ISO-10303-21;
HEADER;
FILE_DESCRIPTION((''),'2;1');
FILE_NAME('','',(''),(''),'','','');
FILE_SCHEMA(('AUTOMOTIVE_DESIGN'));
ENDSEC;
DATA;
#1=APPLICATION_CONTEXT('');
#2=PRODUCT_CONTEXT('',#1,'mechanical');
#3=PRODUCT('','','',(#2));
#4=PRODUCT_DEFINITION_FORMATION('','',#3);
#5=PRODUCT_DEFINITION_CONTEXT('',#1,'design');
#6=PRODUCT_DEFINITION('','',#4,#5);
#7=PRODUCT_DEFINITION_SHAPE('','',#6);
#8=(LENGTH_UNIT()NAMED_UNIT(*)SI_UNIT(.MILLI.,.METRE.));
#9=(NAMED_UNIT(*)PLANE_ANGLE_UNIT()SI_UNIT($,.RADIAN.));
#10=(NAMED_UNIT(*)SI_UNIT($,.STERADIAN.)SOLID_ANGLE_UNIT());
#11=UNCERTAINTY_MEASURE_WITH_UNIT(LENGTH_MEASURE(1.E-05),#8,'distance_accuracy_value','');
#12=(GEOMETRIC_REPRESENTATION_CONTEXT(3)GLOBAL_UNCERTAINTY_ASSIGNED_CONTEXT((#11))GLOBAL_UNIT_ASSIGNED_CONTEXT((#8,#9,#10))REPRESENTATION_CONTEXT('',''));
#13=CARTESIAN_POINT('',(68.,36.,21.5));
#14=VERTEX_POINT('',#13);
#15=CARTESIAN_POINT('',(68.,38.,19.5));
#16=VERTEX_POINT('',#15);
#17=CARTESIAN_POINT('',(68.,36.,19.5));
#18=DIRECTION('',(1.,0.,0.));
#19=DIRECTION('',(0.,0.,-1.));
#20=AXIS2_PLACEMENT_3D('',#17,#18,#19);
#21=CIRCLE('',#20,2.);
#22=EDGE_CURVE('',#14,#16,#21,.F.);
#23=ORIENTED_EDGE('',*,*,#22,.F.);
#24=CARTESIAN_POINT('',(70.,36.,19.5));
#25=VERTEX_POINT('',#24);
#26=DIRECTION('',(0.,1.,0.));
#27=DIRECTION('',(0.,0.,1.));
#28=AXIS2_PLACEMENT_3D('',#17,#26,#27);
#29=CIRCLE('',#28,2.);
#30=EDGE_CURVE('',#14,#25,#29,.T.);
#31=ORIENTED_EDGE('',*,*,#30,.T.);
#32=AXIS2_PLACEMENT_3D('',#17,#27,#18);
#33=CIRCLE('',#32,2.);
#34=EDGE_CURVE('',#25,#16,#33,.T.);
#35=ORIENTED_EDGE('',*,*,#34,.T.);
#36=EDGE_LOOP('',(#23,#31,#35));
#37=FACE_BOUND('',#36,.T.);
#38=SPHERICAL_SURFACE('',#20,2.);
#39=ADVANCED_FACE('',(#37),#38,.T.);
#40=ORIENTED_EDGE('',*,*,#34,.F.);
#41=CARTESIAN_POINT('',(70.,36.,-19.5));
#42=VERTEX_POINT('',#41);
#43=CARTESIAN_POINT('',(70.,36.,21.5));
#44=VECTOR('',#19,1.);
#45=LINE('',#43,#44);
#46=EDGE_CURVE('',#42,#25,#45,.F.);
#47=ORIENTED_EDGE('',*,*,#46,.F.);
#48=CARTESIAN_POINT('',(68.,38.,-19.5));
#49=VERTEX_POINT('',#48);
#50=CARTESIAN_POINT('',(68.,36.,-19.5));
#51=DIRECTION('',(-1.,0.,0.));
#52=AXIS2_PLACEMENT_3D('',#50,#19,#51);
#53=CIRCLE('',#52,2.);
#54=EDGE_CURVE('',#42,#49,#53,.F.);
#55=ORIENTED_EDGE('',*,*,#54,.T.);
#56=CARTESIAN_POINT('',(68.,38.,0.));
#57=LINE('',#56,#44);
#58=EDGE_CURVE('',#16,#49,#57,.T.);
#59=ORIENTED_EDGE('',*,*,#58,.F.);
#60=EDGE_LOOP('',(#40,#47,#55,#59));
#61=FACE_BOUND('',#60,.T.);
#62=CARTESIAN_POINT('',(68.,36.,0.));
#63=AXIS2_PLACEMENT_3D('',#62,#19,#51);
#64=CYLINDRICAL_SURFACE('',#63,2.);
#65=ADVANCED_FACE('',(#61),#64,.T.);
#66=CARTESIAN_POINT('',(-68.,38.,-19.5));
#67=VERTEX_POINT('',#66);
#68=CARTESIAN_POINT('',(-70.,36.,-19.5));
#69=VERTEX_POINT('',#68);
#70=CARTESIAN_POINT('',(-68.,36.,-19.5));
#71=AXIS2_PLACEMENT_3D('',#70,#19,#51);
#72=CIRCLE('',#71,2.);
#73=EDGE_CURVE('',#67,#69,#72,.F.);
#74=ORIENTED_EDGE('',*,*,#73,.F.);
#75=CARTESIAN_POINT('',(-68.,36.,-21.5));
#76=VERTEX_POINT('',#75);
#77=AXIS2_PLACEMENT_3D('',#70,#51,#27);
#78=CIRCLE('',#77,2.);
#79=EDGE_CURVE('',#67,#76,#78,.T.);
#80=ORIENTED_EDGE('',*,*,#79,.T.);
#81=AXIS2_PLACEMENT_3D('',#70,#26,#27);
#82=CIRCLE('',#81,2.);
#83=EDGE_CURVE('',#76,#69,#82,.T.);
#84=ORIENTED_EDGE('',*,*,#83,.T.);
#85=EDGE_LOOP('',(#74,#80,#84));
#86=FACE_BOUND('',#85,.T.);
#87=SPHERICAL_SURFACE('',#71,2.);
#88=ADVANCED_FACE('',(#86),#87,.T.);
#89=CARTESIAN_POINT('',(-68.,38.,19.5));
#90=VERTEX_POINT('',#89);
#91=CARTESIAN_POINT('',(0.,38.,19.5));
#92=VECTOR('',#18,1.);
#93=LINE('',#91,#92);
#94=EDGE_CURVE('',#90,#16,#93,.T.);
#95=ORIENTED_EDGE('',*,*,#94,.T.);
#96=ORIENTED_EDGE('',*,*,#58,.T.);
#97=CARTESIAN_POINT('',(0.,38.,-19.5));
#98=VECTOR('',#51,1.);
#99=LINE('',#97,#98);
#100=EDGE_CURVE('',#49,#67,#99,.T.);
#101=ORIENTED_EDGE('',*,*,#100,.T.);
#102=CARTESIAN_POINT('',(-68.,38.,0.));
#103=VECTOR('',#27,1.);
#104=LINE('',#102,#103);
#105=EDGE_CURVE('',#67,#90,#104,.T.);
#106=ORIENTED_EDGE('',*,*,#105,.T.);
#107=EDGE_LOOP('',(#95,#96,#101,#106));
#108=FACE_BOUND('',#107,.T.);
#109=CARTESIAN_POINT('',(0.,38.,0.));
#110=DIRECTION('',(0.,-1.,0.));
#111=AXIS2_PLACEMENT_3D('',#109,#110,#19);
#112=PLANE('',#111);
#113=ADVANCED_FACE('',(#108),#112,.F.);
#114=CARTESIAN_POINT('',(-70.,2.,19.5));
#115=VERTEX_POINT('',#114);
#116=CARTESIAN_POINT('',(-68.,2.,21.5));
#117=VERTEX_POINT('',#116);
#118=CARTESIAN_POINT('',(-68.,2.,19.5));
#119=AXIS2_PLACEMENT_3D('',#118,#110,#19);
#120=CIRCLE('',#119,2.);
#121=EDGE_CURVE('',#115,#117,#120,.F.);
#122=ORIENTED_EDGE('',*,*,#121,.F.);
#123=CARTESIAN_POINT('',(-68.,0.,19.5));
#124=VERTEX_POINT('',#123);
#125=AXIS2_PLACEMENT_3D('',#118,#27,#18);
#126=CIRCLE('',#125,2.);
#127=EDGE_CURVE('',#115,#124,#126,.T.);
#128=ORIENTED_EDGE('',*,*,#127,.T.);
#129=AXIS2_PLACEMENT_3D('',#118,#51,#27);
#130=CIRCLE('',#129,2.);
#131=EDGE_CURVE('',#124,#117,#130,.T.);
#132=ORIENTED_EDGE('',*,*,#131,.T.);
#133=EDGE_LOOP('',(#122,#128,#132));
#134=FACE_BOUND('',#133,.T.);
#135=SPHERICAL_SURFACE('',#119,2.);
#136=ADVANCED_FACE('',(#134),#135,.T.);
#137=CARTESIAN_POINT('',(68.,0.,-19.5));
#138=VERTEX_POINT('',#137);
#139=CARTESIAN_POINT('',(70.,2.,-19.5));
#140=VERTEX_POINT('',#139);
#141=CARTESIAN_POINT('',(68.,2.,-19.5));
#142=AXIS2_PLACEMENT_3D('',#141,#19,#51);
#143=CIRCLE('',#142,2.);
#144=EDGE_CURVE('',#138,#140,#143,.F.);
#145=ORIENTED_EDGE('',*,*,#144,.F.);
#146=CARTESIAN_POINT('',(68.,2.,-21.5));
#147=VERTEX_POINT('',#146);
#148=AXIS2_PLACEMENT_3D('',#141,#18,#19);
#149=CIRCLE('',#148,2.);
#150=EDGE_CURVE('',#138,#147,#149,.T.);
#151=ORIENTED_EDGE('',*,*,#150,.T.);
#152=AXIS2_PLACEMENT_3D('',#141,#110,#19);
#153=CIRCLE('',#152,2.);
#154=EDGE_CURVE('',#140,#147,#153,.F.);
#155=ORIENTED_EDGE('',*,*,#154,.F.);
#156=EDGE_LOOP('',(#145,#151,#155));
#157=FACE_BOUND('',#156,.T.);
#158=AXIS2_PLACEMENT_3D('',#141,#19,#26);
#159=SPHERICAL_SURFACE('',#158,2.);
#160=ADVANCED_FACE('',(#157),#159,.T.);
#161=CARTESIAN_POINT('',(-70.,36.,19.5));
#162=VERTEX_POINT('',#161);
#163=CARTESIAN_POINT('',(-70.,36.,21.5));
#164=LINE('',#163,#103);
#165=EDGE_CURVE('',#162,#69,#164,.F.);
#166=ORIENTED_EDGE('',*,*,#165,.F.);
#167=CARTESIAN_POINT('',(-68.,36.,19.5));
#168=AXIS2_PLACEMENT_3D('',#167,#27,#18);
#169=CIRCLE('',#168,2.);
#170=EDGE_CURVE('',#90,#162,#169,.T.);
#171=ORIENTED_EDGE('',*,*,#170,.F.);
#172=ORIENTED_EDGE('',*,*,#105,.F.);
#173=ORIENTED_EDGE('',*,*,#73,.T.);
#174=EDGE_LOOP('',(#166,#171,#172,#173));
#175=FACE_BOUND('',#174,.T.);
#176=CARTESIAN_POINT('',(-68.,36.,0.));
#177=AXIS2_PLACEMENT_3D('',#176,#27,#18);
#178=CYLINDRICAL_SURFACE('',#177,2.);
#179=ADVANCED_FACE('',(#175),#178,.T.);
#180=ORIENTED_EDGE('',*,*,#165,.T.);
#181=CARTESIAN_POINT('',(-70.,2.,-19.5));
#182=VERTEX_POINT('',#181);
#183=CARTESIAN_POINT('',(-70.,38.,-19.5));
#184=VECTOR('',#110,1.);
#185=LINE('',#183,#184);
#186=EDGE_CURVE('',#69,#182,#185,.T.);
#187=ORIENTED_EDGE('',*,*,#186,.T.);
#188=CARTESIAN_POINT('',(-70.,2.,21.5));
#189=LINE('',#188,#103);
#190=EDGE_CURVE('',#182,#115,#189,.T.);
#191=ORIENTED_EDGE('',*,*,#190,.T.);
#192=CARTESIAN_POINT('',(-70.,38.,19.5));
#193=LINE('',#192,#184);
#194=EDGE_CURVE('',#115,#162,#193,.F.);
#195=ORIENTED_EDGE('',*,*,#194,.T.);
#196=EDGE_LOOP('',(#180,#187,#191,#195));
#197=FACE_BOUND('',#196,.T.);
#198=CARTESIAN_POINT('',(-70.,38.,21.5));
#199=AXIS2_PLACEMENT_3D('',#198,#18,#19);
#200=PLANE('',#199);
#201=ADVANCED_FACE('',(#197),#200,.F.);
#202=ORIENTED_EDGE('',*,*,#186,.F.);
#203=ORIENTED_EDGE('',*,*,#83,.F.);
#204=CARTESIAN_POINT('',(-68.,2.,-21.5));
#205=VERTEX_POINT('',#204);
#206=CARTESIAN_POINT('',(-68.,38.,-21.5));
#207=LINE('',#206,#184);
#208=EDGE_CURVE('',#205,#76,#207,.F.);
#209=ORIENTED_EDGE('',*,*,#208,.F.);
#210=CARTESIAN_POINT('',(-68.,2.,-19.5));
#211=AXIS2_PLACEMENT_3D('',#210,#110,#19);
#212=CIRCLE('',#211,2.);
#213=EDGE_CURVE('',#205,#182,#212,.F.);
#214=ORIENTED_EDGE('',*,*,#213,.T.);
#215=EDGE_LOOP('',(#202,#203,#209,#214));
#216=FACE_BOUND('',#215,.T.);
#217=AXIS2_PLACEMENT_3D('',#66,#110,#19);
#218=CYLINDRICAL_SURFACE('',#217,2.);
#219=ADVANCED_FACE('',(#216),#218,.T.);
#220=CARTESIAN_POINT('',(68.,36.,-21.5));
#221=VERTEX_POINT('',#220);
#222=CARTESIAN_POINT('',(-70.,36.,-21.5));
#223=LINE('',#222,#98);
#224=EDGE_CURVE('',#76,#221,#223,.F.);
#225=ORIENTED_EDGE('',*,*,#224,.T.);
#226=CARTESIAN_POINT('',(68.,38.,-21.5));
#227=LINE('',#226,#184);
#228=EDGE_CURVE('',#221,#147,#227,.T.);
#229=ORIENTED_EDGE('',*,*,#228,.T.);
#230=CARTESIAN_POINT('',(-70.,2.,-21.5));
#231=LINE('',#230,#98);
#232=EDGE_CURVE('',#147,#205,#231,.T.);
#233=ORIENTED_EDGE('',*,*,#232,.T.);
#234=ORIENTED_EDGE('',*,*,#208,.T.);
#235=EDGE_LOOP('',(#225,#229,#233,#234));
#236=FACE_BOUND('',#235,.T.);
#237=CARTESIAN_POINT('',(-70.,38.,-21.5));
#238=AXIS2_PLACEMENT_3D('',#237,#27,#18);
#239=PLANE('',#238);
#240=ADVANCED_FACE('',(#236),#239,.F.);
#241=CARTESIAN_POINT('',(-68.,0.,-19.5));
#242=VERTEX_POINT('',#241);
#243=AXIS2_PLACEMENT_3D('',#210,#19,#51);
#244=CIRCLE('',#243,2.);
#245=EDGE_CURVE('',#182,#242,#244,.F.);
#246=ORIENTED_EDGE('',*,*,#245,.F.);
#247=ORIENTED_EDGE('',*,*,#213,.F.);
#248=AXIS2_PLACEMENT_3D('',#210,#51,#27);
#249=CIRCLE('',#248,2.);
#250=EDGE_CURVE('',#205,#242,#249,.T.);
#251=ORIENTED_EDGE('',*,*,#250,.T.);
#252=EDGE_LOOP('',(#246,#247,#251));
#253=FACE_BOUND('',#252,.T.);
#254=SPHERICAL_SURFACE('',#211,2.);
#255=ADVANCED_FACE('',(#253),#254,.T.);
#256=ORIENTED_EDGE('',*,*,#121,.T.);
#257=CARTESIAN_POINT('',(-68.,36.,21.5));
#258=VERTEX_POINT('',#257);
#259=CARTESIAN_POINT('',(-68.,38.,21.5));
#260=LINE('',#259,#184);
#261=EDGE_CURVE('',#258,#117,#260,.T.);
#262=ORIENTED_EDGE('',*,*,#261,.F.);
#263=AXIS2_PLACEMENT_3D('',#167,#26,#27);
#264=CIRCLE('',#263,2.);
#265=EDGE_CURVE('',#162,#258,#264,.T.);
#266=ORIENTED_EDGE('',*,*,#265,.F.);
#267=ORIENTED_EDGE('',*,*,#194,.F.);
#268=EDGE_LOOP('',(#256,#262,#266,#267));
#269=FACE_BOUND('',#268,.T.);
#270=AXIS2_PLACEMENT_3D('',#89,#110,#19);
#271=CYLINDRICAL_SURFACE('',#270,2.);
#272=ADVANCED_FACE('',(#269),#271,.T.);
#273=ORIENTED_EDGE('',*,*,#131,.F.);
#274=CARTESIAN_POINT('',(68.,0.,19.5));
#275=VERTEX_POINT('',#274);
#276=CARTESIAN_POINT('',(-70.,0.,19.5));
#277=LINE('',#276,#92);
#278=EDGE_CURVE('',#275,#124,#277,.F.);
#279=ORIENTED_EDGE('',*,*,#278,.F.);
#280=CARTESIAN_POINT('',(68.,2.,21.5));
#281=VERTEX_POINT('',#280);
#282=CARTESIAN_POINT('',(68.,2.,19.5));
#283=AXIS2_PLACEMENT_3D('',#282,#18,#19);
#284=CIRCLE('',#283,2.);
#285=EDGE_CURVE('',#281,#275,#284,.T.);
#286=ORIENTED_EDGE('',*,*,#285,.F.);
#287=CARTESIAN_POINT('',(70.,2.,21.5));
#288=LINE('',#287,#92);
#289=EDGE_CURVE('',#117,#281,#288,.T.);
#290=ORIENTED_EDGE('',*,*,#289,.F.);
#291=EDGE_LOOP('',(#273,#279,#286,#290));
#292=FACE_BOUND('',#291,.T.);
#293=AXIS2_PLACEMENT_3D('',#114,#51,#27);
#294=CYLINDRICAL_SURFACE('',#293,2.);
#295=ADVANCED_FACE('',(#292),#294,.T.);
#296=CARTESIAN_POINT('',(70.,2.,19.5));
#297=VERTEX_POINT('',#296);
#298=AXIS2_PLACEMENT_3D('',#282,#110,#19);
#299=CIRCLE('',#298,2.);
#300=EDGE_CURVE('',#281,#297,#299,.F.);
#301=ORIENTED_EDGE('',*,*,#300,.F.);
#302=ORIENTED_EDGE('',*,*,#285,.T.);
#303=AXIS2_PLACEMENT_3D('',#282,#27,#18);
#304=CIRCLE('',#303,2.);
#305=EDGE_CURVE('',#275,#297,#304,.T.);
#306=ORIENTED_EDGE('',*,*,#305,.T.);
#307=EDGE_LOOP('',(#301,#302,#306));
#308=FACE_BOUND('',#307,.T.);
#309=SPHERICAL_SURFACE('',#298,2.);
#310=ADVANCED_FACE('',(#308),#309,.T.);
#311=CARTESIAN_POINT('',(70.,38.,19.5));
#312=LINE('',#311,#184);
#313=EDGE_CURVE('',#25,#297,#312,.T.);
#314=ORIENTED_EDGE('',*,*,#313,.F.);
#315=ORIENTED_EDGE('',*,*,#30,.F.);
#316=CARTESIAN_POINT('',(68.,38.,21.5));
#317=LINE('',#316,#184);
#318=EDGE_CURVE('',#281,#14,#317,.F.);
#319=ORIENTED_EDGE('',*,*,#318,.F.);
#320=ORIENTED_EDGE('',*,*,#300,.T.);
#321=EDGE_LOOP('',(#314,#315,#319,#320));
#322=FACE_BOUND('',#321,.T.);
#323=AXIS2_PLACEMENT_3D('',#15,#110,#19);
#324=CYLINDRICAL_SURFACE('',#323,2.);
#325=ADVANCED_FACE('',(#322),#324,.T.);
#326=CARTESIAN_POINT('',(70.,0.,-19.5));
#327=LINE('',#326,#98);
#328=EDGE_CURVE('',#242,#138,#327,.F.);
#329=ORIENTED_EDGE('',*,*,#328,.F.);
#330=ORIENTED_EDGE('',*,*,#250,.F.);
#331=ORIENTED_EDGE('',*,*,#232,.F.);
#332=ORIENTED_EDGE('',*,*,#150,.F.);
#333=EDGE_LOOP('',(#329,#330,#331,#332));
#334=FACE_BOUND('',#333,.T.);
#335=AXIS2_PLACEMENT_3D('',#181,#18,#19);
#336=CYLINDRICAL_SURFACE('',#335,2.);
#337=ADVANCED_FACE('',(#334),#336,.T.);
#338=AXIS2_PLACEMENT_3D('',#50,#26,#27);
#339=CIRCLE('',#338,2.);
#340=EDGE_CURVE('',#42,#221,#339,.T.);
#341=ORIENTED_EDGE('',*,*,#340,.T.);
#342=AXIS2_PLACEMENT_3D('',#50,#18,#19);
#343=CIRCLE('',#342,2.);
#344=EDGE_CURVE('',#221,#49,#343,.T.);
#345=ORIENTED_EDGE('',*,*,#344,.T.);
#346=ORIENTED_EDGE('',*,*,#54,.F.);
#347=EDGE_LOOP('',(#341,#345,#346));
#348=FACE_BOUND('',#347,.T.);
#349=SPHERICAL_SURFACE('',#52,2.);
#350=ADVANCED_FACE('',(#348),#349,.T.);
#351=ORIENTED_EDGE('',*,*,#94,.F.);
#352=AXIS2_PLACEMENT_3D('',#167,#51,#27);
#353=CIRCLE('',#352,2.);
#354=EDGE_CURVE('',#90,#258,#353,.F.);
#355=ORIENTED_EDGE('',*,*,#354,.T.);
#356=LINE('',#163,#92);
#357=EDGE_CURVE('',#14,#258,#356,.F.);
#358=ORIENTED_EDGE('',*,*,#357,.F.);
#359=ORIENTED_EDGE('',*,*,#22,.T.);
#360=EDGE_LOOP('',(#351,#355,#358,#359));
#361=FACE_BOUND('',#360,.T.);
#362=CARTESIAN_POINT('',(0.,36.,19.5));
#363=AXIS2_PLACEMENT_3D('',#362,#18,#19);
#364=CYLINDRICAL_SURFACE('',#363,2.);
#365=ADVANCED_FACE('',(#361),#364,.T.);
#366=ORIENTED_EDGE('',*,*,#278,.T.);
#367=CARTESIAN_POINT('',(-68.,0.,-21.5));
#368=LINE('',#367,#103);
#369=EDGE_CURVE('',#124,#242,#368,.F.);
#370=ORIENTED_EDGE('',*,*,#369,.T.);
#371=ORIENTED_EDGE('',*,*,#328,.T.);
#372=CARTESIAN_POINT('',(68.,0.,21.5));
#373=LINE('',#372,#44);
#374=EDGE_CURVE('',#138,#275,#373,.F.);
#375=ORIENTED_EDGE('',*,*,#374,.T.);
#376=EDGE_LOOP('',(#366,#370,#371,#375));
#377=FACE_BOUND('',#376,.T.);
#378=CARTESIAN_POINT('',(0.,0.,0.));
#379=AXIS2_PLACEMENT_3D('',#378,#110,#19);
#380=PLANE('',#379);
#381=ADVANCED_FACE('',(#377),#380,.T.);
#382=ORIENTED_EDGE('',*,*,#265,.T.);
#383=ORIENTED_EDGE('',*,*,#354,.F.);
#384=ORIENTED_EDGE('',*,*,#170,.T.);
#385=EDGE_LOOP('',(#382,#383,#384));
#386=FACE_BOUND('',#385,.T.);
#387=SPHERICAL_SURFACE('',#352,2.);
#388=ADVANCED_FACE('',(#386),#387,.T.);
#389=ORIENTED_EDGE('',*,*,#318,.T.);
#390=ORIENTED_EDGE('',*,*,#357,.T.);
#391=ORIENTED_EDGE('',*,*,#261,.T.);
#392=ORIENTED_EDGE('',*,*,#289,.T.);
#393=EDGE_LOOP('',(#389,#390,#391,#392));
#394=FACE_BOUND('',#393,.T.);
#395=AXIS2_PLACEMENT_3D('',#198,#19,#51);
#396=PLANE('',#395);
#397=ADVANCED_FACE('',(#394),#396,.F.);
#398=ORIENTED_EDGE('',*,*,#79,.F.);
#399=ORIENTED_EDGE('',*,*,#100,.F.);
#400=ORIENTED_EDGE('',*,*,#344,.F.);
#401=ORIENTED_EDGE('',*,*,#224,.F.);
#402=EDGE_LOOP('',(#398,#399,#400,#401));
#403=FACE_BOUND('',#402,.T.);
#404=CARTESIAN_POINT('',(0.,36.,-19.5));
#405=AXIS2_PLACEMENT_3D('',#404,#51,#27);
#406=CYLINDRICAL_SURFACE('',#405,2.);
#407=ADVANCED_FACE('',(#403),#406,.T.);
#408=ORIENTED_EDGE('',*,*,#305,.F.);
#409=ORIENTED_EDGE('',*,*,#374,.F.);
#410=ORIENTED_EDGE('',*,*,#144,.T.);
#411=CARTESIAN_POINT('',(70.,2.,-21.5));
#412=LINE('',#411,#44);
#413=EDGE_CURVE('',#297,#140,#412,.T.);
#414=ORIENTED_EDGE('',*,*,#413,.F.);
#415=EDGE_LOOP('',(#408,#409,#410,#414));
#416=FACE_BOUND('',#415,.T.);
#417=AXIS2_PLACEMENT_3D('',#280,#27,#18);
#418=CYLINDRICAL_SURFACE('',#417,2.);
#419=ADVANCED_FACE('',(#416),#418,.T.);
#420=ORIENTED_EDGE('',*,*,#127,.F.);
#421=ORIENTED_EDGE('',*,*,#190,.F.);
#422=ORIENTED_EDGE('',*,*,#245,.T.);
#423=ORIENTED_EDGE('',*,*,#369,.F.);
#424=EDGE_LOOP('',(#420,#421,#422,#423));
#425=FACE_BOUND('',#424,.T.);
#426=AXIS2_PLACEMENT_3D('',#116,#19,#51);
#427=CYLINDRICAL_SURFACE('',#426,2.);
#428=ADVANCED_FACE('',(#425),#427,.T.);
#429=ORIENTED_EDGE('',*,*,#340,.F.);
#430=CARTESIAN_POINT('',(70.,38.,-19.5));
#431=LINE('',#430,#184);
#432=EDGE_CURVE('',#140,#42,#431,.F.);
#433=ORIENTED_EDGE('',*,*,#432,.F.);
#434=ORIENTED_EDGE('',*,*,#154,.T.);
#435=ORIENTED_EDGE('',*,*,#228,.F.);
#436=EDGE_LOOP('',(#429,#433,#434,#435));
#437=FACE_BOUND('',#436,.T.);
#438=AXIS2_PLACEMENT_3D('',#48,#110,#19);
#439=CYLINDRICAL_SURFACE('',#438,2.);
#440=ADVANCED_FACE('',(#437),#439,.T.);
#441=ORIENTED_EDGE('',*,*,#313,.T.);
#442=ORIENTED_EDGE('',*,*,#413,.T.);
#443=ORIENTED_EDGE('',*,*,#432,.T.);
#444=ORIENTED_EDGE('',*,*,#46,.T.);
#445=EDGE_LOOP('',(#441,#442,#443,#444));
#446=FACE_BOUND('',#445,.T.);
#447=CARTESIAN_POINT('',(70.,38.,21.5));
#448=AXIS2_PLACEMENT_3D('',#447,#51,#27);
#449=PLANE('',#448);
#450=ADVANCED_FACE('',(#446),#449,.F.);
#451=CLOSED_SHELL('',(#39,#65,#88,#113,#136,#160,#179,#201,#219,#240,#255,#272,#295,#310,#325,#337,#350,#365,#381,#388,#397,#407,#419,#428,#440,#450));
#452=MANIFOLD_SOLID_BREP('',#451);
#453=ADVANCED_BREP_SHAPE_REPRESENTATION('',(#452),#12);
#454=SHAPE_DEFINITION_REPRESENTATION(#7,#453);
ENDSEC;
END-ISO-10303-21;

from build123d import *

# Parameters (mm, degrees)
SZKIC1_W                    = 140
SZKIC1_H                    = 43
DODANIE_WYCI_GNI_CIE1_DEPTH = 38
ZAOKR_GLENIE1_R             = 2


with BuildPart() as part:
    # Szkic1 → Dodanie-wyciągnięcie1 (new body)
    with BuildSketch(Plane(origin=(0, 0, 0), x_dir=(1, 0, 0), z_dir=(0, 1, 0))):
        Rectangle(SZKIC1_W, SZKIC1_H)
    extrude(amount=DODANIE_WYCI_GNI_CIE1_DEPTH)

    # Zaokrąglenie1
    zaokr_glenie1_edges = [part.edges().sort_by_distance(p)[0] for p in [
        (-70, 38, 0),
        (0, 38, 21.5),
        (70, 38, 0),
        (0, 0, 21.5),
        (-70, 0, 0),
        (0, 0, -21.5),
        (70, 0, 0),
        (70, 19, 21.5),
        (-70, 19, 21.5),
        (-70, 19, -21.5),
        (70, 19, -21.5),
        (0, 38, -21.5),
    ]]
    fillet(zaokr_glenie1_edges, radius=ZAOKR_GLENIE1_R)


solid = part.part
